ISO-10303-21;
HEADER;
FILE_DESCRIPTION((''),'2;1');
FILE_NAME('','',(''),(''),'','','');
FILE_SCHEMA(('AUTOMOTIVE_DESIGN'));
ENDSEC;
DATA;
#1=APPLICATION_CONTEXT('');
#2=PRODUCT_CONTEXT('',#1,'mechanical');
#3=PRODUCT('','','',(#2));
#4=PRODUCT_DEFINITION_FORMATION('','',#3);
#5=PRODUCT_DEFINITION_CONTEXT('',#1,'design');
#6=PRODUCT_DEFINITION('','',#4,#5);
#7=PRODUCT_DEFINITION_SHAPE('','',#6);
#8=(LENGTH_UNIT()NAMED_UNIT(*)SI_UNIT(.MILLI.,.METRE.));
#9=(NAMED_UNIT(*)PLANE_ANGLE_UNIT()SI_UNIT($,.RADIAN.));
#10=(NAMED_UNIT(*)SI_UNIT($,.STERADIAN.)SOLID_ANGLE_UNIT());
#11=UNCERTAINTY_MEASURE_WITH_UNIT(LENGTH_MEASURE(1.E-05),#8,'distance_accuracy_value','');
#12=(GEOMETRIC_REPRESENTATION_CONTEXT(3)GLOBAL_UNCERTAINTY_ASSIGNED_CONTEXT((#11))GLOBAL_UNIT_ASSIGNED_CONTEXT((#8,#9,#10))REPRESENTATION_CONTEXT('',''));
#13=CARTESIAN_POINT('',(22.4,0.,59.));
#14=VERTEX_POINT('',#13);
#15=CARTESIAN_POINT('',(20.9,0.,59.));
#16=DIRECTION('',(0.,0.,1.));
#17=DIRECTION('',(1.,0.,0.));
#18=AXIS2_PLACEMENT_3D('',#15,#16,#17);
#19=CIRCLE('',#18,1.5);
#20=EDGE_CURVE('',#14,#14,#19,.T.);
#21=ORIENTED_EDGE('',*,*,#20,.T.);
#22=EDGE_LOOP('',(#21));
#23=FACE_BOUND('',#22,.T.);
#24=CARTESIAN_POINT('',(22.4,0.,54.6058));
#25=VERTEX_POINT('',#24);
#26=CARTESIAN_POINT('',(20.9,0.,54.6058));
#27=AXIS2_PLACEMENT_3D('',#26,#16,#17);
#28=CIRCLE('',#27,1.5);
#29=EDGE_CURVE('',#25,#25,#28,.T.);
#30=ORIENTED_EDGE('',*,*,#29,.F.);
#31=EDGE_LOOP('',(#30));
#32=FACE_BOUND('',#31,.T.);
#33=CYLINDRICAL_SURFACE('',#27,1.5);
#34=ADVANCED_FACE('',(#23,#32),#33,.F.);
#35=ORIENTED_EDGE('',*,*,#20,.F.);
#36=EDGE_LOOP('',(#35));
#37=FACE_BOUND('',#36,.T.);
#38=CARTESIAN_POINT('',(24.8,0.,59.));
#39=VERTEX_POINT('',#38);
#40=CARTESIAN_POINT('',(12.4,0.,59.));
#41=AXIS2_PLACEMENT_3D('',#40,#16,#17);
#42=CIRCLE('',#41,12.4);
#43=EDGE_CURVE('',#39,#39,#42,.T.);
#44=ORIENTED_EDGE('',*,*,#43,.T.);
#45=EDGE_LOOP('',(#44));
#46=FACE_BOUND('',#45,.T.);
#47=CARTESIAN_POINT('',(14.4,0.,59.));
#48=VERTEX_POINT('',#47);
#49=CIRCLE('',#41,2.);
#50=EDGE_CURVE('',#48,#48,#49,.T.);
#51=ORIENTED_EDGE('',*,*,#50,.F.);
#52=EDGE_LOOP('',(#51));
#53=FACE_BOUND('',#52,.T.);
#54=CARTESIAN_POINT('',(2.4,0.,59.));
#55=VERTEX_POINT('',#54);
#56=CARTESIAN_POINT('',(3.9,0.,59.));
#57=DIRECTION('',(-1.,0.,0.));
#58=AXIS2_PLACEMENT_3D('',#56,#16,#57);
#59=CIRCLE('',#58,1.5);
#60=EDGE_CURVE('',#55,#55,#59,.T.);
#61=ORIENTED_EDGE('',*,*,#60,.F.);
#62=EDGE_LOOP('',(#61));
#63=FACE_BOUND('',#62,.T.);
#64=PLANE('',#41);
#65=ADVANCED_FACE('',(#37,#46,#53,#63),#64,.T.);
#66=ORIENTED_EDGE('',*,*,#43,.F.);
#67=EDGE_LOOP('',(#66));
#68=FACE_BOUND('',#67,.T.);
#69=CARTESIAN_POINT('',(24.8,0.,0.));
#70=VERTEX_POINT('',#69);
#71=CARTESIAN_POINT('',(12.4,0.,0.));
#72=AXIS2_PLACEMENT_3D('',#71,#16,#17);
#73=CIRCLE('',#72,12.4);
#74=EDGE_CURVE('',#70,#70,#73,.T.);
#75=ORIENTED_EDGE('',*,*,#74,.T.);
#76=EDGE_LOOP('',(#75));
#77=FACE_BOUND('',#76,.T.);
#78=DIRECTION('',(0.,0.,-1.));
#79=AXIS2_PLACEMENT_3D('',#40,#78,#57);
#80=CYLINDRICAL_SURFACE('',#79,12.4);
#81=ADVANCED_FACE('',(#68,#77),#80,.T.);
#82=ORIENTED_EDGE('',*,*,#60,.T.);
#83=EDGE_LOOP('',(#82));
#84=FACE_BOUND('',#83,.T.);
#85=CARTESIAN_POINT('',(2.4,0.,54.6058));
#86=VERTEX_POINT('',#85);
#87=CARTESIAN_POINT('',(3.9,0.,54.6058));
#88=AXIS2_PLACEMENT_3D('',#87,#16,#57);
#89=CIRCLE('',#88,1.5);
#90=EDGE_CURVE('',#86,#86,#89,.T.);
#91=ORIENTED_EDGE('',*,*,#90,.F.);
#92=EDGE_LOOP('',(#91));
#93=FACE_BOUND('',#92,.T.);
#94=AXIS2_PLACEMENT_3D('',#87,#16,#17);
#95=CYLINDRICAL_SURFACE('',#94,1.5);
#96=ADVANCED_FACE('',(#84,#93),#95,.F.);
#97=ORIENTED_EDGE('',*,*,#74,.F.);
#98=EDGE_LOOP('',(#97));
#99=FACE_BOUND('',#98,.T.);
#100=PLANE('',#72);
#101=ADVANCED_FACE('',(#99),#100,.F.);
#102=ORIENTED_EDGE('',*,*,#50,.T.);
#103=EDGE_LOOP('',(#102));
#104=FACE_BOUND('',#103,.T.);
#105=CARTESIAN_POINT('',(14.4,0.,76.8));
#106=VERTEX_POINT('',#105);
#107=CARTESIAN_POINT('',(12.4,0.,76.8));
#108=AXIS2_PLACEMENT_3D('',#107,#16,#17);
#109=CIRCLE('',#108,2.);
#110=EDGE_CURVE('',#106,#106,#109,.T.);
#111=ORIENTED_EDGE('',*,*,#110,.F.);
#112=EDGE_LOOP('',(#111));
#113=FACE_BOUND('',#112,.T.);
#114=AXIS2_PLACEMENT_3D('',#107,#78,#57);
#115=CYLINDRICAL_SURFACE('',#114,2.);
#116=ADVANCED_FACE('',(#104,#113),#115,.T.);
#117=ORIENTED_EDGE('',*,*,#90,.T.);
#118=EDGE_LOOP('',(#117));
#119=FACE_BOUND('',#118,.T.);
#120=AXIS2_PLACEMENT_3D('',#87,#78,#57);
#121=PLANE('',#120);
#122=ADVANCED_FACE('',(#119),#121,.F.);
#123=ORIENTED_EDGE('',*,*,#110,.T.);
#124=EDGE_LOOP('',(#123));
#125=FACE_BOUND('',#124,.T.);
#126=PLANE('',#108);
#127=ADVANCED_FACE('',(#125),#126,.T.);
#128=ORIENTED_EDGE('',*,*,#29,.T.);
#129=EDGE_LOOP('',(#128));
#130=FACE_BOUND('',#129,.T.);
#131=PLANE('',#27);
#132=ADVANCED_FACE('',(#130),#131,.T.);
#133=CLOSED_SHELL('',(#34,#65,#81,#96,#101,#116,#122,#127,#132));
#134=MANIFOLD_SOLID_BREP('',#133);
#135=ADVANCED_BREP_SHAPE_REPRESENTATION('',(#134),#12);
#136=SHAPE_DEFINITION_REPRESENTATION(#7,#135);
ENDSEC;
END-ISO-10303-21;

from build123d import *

# Parameters (mm, degrees)
SKETCH1_R           = 12.4
BOSS_EXTRUDE1_DEPTH = 59
SKETCH2_R           = 2
BOSS_EXTRUDE2_DEPTH = 17.8
SKETCH3_R           = 1.5
CUT_EXTRUDE1_DEPTH  = 4.3942


with BuildPart() as part:
    # Sketch1 → Boss-Extrude1 (new body)
    with BuildSketch(Plane.XY):
        with Locations((12.4, 0)):
            Circle(SKETCH1_R)
    extrude(amount=BOSS_EXTRUDE1_DEPTH)

    # Sketch2 → Boss-Extrude2 (add)
    with BuildSketch(Plane.XY.offset(59)):
        with Locations((12.4, 0)):
            Circle(SKETCH2_R)
    extrude(amount=BOSS_EXTRUDE2_DEPTH)

    # Sketch3 → Cut-Extrude1 (cut)
    with BuildSketch(Plane.XY.offset(59)):
        with Locations((20.9, 0)):
            Circle(SKETCH3_R)
        with Locations((3.9, 0)):
            Circle(SKETCH3_R)
    extrude(amount=-CUT_EXTRUDE1_DEPTH, mode=Mode.SUBTRACT)


solid = part.part
